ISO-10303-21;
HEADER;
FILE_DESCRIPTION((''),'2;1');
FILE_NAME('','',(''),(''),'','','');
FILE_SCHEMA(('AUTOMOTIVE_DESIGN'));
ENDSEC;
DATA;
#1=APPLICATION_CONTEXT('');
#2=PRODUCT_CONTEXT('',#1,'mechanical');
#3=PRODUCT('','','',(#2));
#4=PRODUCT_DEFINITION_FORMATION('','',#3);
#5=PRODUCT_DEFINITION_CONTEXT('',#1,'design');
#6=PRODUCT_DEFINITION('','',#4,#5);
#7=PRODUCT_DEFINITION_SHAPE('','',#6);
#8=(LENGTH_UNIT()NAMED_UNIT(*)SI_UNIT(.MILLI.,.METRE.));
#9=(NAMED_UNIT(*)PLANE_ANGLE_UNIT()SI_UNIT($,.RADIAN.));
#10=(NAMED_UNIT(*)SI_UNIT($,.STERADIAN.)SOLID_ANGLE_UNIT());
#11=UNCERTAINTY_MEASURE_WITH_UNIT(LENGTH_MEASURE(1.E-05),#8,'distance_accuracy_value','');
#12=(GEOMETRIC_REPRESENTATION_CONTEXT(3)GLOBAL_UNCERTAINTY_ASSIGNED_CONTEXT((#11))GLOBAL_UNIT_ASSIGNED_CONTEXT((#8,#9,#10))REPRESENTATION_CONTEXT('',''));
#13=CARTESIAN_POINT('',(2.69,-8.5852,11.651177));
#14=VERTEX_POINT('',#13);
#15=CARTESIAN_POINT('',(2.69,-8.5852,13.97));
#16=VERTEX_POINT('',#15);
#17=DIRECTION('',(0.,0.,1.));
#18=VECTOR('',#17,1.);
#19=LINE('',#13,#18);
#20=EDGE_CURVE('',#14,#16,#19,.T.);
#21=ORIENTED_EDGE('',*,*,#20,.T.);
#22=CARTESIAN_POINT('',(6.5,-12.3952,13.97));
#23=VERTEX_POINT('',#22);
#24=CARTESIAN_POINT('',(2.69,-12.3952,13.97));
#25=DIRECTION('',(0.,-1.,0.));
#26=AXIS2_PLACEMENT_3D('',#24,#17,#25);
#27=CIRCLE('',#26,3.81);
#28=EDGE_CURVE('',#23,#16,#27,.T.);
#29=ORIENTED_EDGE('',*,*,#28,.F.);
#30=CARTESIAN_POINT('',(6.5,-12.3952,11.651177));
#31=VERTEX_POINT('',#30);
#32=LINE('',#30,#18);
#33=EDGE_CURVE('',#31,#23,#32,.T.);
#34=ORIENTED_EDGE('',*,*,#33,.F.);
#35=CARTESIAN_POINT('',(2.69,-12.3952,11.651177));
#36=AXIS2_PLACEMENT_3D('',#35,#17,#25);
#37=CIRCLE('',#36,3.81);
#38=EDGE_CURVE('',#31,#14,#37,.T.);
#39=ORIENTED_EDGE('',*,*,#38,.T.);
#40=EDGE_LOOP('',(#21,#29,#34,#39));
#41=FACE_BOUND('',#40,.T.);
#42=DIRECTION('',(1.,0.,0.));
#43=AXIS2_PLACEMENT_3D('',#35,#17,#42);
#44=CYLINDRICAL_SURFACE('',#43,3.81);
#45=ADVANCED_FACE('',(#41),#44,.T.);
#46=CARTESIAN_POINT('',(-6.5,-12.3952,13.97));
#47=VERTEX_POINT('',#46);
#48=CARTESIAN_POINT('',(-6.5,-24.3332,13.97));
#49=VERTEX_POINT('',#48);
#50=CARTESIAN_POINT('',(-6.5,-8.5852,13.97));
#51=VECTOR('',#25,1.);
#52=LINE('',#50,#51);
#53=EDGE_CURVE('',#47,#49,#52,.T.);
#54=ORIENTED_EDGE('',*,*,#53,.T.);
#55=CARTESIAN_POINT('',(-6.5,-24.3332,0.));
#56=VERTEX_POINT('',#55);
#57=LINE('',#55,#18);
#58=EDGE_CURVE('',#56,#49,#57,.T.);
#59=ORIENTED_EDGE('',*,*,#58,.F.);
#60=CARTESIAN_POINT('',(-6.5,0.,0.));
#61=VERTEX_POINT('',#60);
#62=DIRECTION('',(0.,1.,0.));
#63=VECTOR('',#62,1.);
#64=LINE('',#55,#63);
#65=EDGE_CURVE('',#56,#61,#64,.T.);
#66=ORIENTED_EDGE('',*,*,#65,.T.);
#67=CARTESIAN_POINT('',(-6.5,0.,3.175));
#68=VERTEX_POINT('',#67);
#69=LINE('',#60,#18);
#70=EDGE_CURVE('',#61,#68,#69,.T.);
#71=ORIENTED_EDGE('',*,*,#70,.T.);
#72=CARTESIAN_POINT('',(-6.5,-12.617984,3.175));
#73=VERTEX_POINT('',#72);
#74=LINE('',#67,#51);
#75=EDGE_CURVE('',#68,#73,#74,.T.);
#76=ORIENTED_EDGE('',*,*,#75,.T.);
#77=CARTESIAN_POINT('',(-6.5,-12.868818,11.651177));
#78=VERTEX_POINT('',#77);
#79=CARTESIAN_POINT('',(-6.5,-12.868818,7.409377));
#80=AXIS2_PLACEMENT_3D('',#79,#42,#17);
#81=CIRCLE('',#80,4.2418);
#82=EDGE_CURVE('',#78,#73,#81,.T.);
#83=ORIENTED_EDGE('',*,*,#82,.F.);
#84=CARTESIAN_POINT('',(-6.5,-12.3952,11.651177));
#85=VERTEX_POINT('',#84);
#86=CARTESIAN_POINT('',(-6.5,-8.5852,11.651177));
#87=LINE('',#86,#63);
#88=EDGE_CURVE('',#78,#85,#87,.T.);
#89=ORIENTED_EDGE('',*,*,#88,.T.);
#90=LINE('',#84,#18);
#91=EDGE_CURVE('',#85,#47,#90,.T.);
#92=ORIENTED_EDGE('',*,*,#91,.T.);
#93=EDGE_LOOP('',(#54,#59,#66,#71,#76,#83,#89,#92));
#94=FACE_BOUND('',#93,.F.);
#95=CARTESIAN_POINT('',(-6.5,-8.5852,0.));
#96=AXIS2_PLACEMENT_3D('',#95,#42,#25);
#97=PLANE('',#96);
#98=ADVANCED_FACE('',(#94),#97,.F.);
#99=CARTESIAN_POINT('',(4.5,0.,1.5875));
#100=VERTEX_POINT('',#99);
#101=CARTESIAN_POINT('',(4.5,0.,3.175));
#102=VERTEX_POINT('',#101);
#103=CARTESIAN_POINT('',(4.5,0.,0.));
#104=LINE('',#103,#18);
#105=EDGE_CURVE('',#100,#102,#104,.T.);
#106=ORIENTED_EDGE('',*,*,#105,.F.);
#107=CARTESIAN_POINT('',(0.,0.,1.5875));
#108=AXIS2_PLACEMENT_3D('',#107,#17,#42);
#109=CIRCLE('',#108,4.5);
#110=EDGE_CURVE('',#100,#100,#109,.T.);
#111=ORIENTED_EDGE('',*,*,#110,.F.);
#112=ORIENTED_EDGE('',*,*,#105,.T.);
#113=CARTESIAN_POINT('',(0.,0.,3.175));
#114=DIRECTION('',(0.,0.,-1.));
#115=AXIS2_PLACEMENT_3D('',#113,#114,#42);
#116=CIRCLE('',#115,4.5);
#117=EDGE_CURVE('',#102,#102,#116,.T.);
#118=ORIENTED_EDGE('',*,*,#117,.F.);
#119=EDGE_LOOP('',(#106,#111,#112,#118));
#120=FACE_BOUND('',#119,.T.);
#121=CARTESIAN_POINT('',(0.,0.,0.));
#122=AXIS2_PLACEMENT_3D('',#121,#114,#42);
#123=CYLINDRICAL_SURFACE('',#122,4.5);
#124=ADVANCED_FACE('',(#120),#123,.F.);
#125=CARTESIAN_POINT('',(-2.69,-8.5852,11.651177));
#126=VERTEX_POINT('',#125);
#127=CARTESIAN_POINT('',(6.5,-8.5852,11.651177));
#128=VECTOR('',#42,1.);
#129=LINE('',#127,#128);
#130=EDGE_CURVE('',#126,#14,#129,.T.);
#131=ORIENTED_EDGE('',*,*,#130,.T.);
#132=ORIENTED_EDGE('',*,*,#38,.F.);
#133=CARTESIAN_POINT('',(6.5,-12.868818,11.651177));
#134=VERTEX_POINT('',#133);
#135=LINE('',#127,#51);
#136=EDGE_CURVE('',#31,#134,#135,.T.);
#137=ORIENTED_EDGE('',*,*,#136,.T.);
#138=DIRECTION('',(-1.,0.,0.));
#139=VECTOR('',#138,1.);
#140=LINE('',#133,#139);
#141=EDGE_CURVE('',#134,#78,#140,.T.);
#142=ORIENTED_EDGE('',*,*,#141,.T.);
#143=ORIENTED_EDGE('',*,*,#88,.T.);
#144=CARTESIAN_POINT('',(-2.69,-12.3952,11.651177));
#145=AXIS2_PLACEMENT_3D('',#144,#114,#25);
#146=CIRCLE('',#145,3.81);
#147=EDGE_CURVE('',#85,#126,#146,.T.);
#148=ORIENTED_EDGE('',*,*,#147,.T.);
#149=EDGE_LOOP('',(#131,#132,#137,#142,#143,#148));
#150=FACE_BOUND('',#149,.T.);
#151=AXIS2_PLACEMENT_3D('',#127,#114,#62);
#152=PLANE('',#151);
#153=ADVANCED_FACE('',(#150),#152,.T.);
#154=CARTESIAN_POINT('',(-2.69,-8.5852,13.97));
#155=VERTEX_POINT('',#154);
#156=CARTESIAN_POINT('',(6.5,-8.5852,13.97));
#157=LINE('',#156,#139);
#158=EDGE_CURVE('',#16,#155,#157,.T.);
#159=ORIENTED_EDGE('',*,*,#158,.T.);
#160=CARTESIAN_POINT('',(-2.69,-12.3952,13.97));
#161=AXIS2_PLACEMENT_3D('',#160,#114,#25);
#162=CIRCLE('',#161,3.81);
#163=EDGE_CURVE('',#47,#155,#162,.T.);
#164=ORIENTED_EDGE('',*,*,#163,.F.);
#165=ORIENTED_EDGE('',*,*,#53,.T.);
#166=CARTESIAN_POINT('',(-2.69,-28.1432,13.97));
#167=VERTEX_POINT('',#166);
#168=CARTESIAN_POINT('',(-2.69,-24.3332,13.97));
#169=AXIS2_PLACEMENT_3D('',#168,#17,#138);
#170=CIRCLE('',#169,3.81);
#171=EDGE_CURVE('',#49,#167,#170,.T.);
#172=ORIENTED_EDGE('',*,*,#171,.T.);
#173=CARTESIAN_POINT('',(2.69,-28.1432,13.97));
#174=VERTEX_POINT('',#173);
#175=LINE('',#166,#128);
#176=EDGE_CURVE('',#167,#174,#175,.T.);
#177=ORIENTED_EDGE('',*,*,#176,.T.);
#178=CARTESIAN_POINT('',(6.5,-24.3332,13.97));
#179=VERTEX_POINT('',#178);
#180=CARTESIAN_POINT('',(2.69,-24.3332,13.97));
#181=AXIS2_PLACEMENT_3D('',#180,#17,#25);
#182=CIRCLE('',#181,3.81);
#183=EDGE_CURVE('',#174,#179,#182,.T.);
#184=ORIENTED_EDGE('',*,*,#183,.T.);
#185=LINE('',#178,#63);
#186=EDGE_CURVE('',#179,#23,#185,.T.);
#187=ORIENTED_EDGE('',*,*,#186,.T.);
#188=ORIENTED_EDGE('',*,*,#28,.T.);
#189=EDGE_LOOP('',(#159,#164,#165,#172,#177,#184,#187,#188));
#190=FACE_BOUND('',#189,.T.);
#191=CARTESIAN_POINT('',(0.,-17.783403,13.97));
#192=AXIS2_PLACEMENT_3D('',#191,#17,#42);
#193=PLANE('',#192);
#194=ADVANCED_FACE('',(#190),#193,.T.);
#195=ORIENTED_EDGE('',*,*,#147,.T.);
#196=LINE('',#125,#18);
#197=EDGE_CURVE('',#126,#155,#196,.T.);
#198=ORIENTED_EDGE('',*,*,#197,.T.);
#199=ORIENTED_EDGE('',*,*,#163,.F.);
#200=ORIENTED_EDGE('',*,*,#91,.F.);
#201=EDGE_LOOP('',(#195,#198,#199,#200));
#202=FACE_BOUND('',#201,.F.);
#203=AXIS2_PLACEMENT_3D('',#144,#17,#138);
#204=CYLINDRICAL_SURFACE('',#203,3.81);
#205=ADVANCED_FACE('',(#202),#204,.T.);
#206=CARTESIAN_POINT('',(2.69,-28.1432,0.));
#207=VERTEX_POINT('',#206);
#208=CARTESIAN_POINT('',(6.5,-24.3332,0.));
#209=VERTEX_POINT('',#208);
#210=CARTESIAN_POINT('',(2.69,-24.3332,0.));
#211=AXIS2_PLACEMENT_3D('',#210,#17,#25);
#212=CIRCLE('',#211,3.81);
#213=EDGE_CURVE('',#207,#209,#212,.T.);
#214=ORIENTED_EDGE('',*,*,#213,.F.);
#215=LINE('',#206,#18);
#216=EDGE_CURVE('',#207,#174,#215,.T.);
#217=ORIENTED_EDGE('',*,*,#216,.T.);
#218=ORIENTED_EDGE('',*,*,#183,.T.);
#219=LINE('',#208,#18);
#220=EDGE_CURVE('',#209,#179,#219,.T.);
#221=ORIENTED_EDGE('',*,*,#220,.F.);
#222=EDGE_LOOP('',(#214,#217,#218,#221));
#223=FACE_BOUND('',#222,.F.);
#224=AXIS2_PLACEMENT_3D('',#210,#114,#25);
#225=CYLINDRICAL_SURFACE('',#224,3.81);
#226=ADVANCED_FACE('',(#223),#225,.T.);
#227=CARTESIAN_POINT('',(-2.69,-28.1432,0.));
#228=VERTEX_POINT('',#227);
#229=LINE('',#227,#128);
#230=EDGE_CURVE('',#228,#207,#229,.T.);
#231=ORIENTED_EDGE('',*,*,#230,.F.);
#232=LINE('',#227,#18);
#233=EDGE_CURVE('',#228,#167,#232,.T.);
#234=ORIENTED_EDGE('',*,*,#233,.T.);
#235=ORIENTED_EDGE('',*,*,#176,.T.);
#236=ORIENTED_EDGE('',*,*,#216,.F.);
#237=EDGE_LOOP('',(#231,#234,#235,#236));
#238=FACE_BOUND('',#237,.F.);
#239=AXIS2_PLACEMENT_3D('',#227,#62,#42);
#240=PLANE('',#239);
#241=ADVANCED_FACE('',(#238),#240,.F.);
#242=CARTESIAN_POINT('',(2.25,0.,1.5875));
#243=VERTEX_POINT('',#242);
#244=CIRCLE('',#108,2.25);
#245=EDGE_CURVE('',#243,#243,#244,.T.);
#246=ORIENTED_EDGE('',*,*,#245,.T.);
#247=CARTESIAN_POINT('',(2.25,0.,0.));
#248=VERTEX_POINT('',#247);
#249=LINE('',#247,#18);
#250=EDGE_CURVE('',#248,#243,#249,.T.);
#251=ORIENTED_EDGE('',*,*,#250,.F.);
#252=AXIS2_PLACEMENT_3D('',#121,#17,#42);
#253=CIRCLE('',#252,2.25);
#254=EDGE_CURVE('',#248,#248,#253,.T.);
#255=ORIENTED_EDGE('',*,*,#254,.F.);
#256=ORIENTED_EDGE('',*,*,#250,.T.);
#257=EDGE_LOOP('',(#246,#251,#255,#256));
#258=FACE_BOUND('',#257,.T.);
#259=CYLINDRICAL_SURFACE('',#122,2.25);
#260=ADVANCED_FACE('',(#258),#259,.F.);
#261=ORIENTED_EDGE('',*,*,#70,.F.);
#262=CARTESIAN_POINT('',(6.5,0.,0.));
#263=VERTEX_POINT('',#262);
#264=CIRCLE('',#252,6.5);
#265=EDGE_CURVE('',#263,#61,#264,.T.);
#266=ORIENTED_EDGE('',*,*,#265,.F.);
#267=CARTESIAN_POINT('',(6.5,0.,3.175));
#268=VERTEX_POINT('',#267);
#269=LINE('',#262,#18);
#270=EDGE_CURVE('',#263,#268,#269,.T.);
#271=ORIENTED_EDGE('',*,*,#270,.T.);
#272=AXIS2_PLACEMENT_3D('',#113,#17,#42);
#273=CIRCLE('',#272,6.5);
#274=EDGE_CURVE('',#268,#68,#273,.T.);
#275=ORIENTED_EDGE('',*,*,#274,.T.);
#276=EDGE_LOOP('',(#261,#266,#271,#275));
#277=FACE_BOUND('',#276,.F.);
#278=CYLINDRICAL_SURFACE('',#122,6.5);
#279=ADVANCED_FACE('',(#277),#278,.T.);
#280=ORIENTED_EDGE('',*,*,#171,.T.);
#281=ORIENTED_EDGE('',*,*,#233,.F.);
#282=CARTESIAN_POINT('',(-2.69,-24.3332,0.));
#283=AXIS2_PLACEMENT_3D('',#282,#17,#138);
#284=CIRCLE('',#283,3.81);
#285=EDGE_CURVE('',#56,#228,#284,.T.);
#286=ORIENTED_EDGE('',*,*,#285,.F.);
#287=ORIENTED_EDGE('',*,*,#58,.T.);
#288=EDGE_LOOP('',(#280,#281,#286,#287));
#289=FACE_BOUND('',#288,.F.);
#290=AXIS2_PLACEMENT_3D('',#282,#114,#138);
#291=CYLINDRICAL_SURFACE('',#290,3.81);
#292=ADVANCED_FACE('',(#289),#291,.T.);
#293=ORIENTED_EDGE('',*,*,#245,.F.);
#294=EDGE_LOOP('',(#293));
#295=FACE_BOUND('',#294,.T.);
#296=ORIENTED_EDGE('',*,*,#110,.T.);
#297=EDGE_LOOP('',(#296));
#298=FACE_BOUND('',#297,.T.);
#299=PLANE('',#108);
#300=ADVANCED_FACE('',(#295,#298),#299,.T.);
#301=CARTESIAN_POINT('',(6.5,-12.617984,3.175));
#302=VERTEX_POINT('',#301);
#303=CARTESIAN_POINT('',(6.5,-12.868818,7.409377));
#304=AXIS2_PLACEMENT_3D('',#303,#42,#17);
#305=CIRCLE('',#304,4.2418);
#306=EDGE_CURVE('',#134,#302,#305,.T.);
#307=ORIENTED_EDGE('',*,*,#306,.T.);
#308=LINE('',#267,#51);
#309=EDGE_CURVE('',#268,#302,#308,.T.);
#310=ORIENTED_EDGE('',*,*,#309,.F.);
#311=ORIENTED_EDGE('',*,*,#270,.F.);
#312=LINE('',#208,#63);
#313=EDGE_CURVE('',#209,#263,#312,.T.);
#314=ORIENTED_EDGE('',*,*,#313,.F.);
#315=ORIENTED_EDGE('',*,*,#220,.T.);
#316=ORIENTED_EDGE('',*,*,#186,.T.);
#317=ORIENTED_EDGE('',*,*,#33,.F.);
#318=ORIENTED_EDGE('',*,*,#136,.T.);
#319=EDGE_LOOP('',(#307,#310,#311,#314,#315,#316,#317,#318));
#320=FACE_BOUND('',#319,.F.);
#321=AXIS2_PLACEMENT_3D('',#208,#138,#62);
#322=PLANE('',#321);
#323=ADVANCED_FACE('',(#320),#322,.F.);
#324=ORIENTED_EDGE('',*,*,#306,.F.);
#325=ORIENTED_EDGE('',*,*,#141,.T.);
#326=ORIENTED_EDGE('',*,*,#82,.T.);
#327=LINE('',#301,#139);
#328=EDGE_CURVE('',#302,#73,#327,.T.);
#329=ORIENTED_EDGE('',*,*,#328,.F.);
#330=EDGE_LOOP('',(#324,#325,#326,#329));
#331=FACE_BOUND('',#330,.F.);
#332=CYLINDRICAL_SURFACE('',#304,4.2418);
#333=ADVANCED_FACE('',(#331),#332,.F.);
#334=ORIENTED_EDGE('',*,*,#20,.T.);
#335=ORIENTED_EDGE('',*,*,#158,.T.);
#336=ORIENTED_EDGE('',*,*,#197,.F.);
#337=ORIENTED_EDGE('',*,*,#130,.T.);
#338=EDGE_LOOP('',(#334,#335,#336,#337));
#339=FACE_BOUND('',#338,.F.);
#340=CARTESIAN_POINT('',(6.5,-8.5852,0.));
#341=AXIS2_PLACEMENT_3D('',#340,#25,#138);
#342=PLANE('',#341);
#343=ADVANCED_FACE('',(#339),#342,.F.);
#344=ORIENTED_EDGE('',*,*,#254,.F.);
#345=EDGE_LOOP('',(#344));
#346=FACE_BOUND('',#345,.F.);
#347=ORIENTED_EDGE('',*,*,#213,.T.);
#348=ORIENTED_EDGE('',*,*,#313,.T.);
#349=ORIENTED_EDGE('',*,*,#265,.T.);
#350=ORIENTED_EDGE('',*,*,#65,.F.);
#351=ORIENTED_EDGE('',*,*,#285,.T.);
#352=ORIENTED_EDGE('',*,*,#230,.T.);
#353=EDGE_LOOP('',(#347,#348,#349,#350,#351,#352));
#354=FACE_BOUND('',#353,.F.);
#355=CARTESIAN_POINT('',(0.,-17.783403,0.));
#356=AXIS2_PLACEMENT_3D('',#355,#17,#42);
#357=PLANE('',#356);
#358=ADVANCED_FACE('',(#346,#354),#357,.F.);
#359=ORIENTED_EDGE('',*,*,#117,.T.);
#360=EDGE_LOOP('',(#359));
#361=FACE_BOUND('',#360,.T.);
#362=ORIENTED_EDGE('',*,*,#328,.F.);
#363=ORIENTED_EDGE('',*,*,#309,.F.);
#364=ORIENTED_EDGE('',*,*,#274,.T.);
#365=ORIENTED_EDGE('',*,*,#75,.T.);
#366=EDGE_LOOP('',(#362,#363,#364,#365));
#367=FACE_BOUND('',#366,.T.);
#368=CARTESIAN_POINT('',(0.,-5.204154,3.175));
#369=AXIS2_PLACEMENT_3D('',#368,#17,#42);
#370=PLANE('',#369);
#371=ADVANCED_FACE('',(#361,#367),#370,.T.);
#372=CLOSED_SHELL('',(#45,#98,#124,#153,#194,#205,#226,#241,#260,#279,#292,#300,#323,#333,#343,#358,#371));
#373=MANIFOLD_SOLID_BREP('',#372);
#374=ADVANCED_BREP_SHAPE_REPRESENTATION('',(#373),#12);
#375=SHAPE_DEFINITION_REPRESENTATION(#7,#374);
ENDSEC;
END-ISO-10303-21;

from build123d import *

# Parameters (mm, degrees)
F0_R     = 4.5
F1_DEPTH = 3.175
F0_R_2   = 2.25
F2_DEPTH = 1.5875
F3_DEPTH = 13.97
F4_W     = 8.5852
F4_H     = 8.4761770735
F5_DEPTH = 25.4
F6_R     = 3.81


with BuildPart() as f1:
    # F0 (on Top) → F1 (new body)
    with BuildSketch(Plane.XY):
        with BuildLine():
            Line((6.5, -8.5852), (6.5, 0))
            ThreePointArc((6.5, 0), (0, -6.5), (-6.5, 0))
            Line((-6.5, 0), (-6.5, -8.5852))
            Line((-6.5, -8.5852), (6.5, -8.5852))
        make_face()
        with BuildLine():
            ThreePointArc((-6.5, 0), (0, -6.5), (6.5, 0))
            ThreePointArc((6.5, 0), (0, 6.5), (-6.5, 0))
        make_face()
        Circle(F0_R, mode=Mode.SUBTRACT)
    extrude(amount=F1_DEPTH)

    # F0 (on Top) → F2 (join)
    with BuildSketch(Plane.XY):
        Circle(F0_R)
        Circle(F0_R_2, mode=Mode.SUBTRACT)
    extrude(amount=F2_DEPTH)

    # F0 (on Top) → F3 (join)
    with BuildSketch(Plane.XY):
        with BuildLine():
            Line((6.5, -24.3332), (6.5, -8.5852))
            Line((6.5, -8.5852), (-6.5, -8.5852))
            Line((-6.5, -8.5852), (-6.5, -24.3332))
            ThreePointArc((-6.5, -24.3332), (-5.3840768363, -27.0272768363), (-2.69, -28.1432))
            Line((-2.69, -28.1432), (2.69, -28.1432))
            ThreePointArc((2.69, -28.1432), (5.3840768363, -27.0272768363), (6.5, -24.3332))
        make_face()
    extrude(amount=F3_DEPTH)

    # F4 (on face) → F5 (cut)
    with BuildSketch(Plane.YZ.offset(6.5)):
        with BuildLine():
            ThreePointArc((-12.6179837447, 3.175), (-9.7820030962, 4.5000062934), (-8.6270184297, 7.4093770735))
            ThreePointArc((-8.6270184297, 7.4093770735), (-9.8694128853, 10.408782618), (-12.8688184297, 11.6511770735))
            Line((-12.8688184297, 11.6511770735), (-12.8688184297, 3.175))
            Line((-12.8688184297, 3.175), (-12.6179837447, 3.175))
        make_face()
        with BuildLine():
            Line((-12.8688184297, 3.175), (-12.8688184297, 11.6511770735))
            ThreePointArc((-12.8688184297, 11.6511770735), (-17.108762292, 7.2839048265), (-12.6179837447, 3.175))
            Line((-12.6179837447, 3.175), (-12.8688184297, 3.175))
        make_face()
        with Locations((-4.2926, 7.4130885368)):
            Rectangle(F4_W, F4_H)
        with BuildLine():
            ThreePointArc((-12.8688184297, 11.6511770735), (-9.8694128853, 10.408782618), (-8.6270184297, 7.4093770735))
            ThreePointArc((-8.6270184297, 7.4093770735), (-9.7820030962, 4.5000062934), (-12.6179837447, 3.175))
            Line((-12.6179837447, 3.175), (-8.5852, 3.175))
            Line((-8.5852, 3.175), (-8.5852, 11.6511770735))
            Line((-8.5852, 11.6511770735), (-12.8688184297, 11.6511770735))
        make_face()
    extrude(amount=-F5_DEPTH, mode=Mode.SUBTRACT)

    # F6
    f6_edges = [f1.edges().sort_by_distance(p)[0] for p in [
        (6.5, -8.5852, 12.810589),
        (-6.5, -8.5852, 12.810589),
    ]]
    fillet(f6_edges, radius=F6_R)


solid = f1.part
